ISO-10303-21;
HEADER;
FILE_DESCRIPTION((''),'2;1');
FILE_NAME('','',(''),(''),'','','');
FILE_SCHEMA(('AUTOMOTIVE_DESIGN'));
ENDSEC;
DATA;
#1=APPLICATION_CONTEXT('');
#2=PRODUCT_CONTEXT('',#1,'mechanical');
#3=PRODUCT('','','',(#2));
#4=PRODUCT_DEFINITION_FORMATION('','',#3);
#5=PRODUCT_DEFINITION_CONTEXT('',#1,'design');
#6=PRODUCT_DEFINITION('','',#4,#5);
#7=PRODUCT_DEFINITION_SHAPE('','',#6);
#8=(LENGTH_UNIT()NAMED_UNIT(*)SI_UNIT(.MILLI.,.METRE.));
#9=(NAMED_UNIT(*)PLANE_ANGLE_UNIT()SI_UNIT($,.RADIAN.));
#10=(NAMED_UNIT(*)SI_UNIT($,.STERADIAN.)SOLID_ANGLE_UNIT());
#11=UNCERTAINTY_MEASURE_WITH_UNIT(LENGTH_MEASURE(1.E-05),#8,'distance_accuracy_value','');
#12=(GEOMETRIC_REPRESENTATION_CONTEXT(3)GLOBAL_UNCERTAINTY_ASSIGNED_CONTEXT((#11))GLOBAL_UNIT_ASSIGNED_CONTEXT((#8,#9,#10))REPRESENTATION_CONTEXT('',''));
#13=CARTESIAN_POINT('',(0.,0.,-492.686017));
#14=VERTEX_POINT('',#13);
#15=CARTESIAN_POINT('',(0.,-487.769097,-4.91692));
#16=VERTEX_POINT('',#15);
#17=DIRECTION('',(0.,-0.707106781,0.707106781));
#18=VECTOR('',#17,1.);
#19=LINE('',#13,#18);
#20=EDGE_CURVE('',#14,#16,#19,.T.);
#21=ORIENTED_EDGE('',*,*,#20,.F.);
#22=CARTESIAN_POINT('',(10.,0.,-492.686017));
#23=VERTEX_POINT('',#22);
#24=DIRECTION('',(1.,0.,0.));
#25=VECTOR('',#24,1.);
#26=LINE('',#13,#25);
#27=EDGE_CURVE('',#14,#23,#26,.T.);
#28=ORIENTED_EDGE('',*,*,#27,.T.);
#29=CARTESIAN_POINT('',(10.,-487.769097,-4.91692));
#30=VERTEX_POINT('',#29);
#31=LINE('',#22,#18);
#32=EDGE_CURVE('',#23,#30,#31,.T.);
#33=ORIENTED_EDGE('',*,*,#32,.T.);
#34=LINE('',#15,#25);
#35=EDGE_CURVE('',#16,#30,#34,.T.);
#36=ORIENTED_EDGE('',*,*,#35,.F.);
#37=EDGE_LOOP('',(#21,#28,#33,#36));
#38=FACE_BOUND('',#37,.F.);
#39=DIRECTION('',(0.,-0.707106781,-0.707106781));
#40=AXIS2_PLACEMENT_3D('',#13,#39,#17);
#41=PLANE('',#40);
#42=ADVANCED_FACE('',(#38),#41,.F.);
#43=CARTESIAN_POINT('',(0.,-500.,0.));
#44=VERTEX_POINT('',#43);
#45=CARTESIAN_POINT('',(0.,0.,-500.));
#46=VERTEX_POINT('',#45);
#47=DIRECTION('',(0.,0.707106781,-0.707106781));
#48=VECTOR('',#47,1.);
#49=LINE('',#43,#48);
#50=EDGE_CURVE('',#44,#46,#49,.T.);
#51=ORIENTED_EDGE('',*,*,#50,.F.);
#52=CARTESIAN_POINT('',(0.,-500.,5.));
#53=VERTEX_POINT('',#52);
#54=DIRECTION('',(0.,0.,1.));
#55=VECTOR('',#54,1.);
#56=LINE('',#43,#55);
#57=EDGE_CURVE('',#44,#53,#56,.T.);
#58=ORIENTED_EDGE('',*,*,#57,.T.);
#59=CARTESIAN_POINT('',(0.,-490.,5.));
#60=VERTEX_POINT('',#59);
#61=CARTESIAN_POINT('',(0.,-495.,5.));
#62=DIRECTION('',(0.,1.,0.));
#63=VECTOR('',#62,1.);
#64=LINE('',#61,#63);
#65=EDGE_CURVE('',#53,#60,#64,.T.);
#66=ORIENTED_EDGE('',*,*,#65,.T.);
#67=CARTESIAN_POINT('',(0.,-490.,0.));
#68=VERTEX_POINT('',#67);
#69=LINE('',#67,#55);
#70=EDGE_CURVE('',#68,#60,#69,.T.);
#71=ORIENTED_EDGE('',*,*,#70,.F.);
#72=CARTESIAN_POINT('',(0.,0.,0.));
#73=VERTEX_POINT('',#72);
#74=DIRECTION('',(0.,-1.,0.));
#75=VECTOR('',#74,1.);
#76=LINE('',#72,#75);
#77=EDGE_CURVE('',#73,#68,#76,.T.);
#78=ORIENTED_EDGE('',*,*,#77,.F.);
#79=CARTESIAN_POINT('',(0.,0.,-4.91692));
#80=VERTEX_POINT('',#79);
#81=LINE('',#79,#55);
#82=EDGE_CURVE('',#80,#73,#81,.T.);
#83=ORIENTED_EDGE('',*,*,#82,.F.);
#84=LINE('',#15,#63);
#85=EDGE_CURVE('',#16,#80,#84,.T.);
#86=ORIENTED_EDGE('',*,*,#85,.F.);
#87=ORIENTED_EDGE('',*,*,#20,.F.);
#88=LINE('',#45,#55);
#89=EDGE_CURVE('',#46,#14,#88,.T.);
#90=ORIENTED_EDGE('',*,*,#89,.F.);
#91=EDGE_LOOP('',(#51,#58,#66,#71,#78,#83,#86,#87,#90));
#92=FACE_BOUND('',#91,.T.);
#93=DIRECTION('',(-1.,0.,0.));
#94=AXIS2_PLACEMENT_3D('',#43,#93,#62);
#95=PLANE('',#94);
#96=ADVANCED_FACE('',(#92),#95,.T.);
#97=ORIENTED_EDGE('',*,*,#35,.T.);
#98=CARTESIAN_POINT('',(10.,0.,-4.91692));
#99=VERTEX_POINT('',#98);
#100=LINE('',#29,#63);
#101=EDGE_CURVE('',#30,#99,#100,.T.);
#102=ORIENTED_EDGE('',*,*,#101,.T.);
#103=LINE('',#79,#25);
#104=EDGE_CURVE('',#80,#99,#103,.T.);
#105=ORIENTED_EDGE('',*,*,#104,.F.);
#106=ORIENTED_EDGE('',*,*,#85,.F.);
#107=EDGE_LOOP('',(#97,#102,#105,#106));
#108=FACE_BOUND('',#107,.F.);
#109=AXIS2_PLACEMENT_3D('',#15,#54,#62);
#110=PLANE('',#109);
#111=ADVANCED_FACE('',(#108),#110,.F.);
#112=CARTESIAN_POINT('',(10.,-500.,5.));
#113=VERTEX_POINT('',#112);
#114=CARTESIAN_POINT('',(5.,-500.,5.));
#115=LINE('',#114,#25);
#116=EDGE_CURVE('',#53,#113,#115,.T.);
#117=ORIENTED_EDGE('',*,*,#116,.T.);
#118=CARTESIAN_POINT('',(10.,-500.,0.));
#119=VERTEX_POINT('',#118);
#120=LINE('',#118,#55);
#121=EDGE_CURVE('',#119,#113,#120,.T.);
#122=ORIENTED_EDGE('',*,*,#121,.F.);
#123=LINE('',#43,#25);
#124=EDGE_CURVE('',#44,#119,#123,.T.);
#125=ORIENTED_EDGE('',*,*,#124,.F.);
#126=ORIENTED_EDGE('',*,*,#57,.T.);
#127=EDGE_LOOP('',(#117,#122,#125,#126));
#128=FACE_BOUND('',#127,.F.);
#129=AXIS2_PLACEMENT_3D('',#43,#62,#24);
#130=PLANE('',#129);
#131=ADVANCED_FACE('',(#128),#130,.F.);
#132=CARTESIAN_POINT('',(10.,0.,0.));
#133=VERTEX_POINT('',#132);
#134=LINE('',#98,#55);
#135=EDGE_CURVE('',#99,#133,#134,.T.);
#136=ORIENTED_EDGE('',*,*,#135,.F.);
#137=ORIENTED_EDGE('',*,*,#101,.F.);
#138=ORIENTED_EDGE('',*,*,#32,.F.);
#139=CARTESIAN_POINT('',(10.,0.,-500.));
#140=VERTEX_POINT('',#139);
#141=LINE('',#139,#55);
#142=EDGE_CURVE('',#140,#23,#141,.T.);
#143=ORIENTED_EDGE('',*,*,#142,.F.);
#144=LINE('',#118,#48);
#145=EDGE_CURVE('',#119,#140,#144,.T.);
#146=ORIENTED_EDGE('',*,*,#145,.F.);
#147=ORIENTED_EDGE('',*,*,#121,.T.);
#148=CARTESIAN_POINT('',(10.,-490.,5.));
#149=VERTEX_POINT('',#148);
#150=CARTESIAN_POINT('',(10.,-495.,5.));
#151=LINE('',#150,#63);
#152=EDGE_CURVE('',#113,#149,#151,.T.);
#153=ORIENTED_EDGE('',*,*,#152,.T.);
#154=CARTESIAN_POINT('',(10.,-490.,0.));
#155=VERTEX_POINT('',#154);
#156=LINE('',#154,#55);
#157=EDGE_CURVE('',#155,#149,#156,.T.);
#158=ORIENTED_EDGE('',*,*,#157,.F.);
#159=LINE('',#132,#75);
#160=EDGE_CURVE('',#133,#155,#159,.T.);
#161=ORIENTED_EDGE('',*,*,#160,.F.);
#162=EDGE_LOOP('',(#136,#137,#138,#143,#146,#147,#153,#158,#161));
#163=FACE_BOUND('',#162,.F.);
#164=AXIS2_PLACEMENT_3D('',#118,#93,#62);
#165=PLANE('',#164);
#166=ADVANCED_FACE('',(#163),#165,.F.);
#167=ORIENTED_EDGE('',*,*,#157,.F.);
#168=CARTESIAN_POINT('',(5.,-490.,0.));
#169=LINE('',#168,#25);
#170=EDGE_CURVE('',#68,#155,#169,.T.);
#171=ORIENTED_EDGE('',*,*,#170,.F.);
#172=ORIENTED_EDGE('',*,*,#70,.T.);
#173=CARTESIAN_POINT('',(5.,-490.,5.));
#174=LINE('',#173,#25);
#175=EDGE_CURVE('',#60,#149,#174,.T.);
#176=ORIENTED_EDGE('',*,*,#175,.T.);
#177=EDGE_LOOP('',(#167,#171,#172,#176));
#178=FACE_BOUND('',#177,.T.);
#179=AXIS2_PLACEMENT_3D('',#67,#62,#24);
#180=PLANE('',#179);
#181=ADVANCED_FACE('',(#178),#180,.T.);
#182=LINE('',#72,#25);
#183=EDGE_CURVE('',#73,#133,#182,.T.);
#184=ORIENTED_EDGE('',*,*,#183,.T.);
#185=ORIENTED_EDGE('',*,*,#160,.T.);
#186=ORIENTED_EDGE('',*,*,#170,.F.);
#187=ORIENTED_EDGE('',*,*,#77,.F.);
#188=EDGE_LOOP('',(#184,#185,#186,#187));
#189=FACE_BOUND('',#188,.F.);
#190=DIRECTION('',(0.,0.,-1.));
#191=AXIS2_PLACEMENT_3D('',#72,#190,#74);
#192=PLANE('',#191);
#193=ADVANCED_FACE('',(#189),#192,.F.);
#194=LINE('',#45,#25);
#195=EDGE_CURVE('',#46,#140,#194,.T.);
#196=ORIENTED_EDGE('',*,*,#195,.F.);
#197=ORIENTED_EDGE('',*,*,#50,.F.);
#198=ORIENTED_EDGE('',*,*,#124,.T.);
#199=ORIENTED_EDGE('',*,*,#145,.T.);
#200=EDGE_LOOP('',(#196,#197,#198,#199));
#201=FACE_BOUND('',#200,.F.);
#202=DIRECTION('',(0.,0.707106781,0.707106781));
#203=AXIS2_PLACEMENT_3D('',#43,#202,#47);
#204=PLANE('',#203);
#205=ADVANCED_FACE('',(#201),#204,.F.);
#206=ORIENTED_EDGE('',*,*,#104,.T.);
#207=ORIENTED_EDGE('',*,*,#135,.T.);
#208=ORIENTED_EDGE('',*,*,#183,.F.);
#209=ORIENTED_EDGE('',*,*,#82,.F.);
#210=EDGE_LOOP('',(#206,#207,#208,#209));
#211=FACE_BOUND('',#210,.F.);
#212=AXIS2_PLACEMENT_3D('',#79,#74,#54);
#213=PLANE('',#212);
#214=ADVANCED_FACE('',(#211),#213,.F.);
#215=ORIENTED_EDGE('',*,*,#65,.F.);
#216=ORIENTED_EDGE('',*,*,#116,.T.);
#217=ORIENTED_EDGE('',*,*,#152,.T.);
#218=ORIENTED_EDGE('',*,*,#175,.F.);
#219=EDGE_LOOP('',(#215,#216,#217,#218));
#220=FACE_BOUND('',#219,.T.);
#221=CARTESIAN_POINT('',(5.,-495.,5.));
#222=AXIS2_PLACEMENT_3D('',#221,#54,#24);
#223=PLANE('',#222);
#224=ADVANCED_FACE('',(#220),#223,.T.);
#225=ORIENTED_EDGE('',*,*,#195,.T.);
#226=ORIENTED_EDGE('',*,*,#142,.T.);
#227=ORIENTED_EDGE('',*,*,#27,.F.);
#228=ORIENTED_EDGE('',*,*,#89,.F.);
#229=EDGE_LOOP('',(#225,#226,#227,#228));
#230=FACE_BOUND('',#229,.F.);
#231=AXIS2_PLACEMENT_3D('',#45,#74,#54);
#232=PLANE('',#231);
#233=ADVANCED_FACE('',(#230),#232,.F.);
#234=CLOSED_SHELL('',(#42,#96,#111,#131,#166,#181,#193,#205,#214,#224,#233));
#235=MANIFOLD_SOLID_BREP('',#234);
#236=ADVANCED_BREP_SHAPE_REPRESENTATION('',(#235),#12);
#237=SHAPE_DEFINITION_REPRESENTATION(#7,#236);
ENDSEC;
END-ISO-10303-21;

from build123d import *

# Parameters (mm, degrees)
F1_DEPTH = 10
F2_W     = 10
F2_H     = 10
F3_DEPTH = 5


with BuildPart() as f1:
    # F0 (on Right) → F1 (new body)
    with BuildSketch(Plane.YZ):
        Polygon((0, -4.91692), (0, 0), (-500, 0), (0, -500), (0, -492.686017), (-487.769097, -4.91692), align=None)
    extrude(amount=F1_DEPTH)

    # F2 (on face) → F3 (join)
    with BuildSketch(Plane.XY):
        with Locations((5, -495)):
            Rectangle(F2_W, F2_H)
    extrude(amount=F3_DEPTH)


solid = f1.part
